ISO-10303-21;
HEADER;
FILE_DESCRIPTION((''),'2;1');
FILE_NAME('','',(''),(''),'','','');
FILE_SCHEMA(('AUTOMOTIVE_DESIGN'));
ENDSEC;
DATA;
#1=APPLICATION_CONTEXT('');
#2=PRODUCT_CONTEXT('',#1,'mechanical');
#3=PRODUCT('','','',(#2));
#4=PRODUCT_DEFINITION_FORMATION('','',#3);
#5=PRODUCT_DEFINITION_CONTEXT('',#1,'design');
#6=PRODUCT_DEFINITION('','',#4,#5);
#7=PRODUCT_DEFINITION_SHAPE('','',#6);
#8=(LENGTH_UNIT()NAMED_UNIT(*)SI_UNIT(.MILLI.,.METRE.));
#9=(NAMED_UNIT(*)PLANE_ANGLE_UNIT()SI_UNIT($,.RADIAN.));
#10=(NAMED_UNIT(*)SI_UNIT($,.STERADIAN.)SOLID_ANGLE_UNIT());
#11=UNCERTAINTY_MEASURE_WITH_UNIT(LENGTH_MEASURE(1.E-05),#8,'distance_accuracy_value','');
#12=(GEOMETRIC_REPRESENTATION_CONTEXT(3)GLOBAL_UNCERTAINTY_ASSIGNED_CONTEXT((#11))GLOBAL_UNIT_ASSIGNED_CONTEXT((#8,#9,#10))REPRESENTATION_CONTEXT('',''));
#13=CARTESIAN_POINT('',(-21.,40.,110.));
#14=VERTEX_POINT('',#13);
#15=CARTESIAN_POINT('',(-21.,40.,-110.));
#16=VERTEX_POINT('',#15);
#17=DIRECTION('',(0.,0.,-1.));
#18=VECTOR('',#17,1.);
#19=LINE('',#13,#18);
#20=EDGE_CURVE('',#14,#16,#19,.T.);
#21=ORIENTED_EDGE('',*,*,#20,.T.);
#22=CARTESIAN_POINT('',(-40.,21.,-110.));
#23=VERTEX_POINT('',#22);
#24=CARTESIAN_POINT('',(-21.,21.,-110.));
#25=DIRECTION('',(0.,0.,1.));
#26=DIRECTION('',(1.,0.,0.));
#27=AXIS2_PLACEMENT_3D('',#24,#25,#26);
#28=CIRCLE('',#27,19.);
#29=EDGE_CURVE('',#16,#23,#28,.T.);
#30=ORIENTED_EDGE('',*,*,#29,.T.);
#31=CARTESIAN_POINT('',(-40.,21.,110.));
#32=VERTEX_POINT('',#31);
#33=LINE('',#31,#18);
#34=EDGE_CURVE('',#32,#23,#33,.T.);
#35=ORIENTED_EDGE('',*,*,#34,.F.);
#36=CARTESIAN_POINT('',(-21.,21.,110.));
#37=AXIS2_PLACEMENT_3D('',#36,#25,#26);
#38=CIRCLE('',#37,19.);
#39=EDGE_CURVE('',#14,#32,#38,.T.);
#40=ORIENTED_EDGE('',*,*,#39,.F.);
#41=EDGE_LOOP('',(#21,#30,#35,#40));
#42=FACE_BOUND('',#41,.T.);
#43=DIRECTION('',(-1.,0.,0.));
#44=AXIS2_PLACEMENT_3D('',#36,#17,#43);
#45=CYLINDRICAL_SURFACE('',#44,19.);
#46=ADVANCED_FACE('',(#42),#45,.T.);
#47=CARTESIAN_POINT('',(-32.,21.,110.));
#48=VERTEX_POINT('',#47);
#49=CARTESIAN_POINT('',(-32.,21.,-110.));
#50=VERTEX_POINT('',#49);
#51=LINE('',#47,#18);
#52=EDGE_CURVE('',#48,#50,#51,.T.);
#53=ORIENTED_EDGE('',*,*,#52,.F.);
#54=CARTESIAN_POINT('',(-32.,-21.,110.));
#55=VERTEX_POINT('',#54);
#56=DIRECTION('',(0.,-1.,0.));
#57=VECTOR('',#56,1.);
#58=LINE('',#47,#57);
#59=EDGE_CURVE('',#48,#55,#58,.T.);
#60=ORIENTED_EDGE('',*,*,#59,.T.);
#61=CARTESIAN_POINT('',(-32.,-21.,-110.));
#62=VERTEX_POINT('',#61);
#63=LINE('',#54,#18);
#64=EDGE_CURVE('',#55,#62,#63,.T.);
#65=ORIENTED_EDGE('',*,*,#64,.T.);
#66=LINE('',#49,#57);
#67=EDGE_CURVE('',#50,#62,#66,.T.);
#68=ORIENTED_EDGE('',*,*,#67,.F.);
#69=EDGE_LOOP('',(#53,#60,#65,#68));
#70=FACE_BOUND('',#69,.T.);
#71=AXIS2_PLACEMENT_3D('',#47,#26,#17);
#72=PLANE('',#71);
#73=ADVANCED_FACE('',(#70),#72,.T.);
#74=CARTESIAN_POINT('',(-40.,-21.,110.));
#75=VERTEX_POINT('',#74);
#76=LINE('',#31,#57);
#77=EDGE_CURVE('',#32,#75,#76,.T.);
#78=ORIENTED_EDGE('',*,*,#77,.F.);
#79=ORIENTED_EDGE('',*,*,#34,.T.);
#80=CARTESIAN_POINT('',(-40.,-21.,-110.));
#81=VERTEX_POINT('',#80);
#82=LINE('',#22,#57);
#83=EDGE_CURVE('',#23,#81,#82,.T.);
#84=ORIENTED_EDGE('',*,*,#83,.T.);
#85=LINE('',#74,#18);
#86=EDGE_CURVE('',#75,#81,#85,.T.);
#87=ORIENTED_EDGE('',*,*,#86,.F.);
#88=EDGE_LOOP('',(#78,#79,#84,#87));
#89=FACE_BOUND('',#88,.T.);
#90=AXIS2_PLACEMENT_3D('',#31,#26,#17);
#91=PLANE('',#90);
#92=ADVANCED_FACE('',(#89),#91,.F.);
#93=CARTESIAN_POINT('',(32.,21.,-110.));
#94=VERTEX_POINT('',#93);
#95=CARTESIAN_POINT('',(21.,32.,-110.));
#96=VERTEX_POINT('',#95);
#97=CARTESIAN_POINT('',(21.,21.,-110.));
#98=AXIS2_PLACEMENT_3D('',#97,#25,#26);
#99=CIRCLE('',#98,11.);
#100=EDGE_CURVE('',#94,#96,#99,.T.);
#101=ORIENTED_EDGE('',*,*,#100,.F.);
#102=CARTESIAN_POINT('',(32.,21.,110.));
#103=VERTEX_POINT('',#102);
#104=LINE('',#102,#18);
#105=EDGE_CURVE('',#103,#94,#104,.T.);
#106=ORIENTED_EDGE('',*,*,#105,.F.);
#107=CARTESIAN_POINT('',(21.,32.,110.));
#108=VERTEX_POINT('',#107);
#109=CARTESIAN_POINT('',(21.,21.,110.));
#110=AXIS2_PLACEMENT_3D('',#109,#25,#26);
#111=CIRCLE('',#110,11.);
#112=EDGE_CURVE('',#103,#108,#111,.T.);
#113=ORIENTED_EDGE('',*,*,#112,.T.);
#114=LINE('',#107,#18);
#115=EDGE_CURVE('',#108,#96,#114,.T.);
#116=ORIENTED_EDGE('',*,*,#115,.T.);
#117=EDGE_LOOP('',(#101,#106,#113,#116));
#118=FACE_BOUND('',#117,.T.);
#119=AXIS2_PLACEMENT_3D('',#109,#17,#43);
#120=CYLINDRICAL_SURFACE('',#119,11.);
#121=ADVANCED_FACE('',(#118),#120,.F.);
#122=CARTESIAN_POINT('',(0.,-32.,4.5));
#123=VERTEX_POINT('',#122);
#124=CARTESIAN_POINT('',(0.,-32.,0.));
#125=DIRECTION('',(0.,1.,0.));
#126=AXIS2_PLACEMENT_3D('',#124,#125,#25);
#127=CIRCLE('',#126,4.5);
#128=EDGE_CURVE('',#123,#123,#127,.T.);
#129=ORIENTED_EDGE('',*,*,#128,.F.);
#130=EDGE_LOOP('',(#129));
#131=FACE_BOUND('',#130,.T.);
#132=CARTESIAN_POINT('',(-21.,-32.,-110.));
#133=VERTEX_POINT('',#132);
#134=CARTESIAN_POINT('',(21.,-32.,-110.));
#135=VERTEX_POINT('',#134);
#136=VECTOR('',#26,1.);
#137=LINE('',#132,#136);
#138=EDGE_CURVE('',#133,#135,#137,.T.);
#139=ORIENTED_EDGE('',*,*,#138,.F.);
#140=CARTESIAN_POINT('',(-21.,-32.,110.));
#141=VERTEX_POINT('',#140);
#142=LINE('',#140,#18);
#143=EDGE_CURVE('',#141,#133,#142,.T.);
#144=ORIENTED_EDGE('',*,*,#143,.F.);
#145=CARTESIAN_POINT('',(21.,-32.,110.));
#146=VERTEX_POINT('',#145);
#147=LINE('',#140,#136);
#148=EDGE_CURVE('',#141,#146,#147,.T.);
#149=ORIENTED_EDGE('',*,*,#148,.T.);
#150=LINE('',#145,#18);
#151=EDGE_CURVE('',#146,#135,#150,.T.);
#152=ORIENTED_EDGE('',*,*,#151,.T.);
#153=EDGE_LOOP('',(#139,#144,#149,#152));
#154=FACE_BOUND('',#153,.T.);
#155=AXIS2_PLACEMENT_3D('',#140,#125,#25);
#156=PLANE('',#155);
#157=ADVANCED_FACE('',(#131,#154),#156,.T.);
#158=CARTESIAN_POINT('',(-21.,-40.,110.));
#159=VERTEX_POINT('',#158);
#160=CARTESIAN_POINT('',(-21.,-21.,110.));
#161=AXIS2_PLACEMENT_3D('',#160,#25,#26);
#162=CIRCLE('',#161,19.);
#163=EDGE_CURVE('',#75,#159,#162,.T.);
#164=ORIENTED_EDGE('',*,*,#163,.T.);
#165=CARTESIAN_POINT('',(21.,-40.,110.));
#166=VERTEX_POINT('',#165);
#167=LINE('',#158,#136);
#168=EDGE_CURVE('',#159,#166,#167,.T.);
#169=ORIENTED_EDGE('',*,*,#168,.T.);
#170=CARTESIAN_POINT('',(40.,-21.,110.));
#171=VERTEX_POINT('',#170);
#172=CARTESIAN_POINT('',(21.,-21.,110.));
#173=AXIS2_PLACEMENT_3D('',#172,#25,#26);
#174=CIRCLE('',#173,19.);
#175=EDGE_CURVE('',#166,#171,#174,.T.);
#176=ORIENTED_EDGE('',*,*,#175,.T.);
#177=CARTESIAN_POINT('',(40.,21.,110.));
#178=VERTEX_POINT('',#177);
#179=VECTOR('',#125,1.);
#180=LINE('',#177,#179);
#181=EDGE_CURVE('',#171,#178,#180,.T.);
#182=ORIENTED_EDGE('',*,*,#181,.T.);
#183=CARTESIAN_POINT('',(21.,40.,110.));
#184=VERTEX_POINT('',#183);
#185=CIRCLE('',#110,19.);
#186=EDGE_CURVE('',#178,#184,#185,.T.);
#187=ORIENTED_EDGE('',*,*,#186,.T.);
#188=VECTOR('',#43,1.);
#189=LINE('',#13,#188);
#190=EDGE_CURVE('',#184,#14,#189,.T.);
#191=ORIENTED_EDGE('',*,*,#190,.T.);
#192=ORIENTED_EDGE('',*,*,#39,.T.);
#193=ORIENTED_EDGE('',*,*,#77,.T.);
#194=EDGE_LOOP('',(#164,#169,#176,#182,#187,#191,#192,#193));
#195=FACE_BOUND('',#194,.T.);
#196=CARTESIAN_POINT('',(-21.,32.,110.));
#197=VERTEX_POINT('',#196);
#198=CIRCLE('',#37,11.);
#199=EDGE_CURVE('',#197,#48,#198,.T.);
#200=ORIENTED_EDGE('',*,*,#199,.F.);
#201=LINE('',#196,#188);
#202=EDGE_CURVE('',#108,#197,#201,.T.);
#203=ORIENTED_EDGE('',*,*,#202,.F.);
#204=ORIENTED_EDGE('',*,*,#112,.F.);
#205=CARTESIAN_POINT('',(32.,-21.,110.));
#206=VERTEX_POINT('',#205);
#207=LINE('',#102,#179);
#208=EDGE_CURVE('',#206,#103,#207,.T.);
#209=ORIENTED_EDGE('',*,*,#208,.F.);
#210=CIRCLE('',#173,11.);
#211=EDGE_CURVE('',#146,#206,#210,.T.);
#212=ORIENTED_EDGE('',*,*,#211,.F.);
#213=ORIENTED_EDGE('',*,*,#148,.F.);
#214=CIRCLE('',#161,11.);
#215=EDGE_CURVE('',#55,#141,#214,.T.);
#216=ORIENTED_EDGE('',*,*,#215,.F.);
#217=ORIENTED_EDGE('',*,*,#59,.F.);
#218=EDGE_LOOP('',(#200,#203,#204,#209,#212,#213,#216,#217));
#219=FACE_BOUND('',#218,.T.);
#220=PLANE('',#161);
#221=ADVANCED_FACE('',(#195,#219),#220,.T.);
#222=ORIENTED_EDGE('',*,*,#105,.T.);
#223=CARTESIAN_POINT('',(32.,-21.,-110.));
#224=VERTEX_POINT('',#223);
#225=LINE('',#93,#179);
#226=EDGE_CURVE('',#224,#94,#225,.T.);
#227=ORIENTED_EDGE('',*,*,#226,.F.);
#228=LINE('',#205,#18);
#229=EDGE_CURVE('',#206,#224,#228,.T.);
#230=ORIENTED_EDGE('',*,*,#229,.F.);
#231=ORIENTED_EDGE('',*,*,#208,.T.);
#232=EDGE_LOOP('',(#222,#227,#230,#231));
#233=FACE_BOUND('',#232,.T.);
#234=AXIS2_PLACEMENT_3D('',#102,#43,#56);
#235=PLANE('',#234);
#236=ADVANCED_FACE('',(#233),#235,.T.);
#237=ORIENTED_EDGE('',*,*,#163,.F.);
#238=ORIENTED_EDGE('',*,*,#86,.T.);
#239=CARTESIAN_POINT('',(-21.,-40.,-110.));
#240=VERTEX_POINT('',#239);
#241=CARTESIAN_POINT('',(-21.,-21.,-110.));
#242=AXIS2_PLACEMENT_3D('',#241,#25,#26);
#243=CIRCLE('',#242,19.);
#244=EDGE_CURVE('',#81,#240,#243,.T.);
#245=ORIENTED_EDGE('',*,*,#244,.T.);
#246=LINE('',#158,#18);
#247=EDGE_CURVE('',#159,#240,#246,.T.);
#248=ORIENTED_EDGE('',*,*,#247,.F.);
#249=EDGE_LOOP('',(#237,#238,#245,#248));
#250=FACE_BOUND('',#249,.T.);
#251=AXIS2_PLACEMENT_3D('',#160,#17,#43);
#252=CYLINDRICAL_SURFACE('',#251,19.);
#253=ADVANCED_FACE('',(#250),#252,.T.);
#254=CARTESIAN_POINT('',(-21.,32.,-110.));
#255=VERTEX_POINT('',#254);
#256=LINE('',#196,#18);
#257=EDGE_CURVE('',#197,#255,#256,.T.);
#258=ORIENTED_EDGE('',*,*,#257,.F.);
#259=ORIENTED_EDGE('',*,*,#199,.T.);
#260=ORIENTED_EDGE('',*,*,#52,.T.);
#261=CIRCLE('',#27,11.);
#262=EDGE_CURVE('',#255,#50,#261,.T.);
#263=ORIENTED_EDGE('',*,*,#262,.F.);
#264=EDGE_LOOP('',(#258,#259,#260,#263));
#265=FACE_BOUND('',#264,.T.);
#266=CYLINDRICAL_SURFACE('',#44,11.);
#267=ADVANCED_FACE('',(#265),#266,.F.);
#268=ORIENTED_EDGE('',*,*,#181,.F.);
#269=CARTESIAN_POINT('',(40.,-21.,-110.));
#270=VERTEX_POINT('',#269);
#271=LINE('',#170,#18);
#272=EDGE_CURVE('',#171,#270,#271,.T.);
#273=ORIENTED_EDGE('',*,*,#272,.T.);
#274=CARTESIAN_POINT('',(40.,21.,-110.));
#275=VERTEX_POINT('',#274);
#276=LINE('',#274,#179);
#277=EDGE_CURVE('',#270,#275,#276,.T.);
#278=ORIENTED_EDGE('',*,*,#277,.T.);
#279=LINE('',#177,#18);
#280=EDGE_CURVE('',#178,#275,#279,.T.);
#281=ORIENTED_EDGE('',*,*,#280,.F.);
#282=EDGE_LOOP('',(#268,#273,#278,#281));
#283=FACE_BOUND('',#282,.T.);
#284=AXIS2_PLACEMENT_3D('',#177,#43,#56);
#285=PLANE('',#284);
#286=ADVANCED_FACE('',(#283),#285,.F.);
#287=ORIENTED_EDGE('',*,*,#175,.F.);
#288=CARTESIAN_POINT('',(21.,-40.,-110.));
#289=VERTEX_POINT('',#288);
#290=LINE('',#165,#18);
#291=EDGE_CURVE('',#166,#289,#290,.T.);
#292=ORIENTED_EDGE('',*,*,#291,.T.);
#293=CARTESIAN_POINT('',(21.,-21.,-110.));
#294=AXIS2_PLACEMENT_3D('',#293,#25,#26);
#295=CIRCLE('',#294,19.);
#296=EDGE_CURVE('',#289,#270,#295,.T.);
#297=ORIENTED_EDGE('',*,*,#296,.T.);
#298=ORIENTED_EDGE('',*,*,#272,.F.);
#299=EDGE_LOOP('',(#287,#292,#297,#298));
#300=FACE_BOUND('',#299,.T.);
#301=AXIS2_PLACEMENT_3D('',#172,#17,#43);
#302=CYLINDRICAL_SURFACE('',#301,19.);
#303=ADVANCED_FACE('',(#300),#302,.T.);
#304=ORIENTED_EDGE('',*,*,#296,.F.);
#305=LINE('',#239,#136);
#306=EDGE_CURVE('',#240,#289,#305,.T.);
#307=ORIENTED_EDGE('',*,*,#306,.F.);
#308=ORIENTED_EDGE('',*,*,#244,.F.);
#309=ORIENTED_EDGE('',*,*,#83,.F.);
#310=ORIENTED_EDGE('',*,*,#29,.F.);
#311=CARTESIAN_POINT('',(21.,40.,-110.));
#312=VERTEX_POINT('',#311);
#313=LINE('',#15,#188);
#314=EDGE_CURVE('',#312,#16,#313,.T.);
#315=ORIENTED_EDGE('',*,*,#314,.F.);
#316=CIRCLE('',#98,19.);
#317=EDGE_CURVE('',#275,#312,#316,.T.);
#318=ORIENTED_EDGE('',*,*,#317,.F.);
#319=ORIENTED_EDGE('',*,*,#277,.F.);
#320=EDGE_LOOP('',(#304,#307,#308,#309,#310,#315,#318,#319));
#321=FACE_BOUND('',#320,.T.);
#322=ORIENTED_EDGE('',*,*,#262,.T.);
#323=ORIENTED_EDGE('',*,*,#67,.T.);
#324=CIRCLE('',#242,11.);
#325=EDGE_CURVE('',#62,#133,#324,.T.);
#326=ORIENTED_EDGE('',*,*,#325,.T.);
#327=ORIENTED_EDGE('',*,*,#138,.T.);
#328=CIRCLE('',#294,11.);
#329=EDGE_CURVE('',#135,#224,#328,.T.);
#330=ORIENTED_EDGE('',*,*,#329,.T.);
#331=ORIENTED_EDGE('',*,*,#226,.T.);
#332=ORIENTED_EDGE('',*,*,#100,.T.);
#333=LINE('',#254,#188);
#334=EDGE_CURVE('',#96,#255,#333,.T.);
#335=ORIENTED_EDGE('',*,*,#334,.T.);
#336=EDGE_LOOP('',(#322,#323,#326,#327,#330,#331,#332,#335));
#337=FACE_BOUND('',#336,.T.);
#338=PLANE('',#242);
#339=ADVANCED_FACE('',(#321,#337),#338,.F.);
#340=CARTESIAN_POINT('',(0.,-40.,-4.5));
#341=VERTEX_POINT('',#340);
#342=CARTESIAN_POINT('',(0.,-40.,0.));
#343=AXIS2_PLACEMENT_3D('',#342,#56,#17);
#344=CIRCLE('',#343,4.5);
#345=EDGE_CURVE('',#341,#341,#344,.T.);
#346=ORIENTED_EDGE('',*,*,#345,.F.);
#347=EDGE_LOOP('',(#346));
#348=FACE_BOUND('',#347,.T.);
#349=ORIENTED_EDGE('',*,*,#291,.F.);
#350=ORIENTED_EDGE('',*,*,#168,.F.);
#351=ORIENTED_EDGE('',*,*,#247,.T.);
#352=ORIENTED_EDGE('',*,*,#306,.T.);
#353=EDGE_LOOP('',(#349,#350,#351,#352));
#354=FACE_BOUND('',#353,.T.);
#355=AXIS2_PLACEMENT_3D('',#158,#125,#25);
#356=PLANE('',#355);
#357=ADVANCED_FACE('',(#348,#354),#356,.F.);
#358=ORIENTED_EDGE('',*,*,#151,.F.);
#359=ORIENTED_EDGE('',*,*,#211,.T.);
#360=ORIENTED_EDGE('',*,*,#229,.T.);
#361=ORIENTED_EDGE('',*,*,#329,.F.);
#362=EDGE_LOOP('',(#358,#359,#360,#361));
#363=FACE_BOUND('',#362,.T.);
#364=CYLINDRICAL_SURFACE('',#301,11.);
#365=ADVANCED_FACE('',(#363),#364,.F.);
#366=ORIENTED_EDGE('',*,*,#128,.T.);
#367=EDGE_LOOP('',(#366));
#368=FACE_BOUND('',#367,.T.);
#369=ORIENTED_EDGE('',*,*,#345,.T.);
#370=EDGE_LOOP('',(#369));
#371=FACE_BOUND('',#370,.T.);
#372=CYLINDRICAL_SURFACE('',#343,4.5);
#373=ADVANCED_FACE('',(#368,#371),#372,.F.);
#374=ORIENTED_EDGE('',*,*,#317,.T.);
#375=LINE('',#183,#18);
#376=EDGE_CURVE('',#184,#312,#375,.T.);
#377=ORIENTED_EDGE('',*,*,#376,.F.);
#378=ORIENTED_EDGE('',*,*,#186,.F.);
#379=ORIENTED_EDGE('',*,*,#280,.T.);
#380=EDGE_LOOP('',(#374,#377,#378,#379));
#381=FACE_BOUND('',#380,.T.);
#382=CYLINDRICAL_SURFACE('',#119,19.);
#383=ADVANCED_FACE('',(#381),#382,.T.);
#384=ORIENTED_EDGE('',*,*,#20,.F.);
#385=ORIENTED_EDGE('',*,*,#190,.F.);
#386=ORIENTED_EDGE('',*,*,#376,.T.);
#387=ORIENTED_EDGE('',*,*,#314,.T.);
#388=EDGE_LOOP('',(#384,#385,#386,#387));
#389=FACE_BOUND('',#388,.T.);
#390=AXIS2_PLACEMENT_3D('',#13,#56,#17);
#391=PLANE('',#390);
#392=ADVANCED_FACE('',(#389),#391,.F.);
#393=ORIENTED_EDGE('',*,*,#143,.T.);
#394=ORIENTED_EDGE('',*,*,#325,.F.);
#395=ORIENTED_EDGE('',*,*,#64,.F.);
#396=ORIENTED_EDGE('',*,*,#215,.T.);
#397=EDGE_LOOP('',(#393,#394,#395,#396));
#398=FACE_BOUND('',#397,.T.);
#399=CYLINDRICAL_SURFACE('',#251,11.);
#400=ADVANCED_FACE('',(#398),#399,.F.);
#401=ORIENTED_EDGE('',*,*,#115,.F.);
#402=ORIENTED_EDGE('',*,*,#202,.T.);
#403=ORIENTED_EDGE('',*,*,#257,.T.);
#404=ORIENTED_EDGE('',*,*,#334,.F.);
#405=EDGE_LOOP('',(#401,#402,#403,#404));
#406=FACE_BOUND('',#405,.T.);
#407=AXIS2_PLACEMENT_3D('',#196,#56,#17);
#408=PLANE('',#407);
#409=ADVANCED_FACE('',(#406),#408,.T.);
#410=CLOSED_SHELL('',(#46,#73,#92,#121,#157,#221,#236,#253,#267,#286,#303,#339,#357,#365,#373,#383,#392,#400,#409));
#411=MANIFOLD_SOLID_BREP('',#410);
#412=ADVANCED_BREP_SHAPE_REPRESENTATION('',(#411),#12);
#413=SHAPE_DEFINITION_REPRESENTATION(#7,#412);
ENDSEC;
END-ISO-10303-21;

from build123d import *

# Parameters (mm, degrees)
EXTRUDE_1_DEPTH = 110
M10X1_0_1_D     = 9
M10X1_0_1_DEPTH = 23
M10X1_0_1_TIP   = 2.703872786


with BuildPart() as part:
    # 草图1 → 凸台-拉伸1 (new, symmetric)
    with BuildSketch(Plane.XY):
        with BuildLine():
            Line((-21, 40), (21, 40))
            ThreePointArc((21, 40), (34.435028843, 34.435028843), (40, 21))
            Line((40, 21), (40, -21))
            ThreePointArc((40, -21), (34.435028843, -34.435028843), (21, -40))
            Line((21, -40), (-21, -40))
            ThreePointArc((-21, -40), (-34.435028843, -34.435028843), (-40, -21))
            Line((-40, -21), (-40, 21))
            ThreePointArc((-40, 21), (-34.435028843, 34.435028843), (-21, 40))
        make_face()
        with BuildLine():
            Line((-32, 21), (-32, -21))
            ThreePointArc((-32, -21), (-28.778174593, -28.778174593), (-21, -32))
            Line((-21, -32), (21, -32))
            ThreePointArc((21, -32), (28.778174593, -28.778174593), (32, -21))
            Line((32, -21), (32, 21))
            ThreePointArc((32, 21), (28.778174593, 28.778174593), (21, 32))
            Line((21, 32), (-21, 32))
            ThreePointArc((-21, 32), (-28.778174593, 28.778174593), (-32, 21))
        make_face(mode=Mode.SUBTRACT)
    extrude(amount=EXTRUDE_1_DEPTH, both=True)

    # M10x1.0 螺纹孔1
    with Locations(Plane(origin=(0, -40, 0), x_dir=(-1, 0, 0), z_dir=(0, -1, 0))):
        with Locations((0, 0)):
            Hole(M10X1_0_1_D / 2, depth=M10X1_0_1_DEPTH)
            with Locations((0, 0, -(M10X1_0_1_DEPTH + M10X1_0_1_TIP / 2))):  # 118° drill point
                Cone(0, M10X1_0_1_D / 2, M10X1_0_1_TIP, mode=Mode.SUBTRACT)


solid = part.part
